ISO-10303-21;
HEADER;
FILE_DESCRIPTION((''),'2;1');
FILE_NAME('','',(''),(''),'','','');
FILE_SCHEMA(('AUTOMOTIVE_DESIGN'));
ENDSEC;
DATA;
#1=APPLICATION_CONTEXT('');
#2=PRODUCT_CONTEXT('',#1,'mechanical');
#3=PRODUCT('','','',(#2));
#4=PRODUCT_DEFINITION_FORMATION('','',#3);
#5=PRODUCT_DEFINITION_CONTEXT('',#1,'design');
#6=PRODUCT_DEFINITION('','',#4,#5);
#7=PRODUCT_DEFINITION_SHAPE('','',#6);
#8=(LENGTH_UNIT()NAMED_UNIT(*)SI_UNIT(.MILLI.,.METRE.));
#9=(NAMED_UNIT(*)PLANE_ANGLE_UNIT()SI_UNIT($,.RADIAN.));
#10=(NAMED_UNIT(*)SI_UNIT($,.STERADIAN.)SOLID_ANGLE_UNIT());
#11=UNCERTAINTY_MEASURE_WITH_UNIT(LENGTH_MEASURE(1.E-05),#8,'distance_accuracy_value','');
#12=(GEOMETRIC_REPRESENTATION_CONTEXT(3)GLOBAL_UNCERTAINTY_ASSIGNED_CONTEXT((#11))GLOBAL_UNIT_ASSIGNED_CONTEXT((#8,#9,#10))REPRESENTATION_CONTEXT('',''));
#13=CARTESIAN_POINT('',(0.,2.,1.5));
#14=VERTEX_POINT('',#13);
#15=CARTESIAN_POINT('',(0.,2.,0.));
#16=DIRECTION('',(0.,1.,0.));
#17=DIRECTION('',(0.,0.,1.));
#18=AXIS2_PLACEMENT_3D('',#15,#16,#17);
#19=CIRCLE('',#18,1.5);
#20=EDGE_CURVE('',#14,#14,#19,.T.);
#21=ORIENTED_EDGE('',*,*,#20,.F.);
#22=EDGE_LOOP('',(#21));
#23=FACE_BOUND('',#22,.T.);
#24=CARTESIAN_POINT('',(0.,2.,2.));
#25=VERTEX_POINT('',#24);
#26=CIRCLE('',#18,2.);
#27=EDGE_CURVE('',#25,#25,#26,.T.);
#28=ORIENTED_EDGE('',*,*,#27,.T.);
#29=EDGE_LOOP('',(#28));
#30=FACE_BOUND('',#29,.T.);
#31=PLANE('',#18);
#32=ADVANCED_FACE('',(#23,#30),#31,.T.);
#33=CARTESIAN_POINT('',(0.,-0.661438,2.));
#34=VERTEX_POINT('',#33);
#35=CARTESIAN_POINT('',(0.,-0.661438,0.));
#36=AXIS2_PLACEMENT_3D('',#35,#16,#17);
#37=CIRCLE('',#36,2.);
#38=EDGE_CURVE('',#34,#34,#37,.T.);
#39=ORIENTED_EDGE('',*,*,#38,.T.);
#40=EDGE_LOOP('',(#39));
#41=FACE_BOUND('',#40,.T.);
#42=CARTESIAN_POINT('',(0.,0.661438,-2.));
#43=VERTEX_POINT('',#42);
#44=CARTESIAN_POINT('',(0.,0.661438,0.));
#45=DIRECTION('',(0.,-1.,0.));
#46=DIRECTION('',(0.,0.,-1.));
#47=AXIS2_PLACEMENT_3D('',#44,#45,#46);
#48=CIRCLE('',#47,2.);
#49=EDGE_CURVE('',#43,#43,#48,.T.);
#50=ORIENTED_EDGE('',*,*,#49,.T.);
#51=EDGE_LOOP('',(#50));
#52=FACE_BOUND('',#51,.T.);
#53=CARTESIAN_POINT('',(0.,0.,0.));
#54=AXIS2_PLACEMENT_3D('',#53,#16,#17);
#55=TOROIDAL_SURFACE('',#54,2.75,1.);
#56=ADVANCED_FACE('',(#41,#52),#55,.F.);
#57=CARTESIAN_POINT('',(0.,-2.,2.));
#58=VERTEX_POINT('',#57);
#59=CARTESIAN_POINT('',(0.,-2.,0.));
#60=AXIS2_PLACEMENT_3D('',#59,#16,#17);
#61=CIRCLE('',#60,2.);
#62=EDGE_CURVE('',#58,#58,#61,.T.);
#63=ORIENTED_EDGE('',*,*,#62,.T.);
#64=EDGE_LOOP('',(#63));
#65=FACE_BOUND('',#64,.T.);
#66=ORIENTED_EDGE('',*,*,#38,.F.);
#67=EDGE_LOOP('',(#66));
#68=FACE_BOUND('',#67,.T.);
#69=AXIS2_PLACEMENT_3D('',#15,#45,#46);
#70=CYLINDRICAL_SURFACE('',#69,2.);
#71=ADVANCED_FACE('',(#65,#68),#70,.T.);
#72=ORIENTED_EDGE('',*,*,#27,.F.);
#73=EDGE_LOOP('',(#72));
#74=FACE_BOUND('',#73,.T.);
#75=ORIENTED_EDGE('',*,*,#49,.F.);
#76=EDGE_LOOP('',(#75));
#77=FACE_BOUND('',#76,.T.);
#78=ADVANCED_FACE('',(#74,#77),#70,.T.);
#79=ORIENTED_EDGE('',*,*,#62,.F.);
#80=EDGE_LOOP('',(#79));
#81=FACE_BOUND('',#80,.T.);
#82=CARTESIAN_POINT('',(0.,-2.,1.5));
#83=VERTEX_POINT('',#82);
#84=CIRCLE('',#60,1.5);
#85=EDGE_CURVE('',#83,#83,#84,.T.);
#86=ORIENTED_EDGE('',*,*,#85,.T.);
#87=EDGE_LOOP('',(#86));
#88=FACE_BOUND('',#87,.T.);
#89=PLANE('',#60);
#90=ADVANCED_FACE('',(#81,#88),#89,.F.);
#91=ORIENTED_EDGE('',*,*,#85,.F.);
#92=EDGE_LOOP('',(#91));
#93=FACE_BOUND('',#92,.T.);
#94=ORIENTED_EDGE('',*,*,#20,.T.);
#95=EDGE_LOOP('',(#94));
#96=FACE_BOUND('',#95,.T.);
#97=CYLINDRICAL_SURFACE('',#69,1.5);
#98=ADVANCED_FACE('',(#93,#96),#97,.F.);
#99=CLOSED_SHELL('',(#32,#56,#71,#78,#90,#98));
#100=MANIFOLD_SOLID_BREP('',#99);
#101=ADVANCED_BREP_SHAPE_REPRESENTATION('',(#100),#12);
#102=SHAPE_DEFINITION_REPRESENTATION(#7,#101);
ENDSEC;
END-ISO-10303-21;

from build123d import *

# Parameters (mm, degrees)
DIAPROFILES_R         = 2
DIAPROFILES_R_2       = 1.5
DIAPROFILE_DEPTH      = 2
BEARINGPATHPROFILES_R = 1


with BuildPart() as part:
    # DiaProfileS → DiaProfile (new body, symmetric)
    with BuildSketch(Plane(origin=(0, 0, 0), x_dir=(1, 0, 0), z_dir=(0, 1, 0))):
        Circle(DIAPROFILES_R)
        Circle(DIAPROFILES_R_2, mode=Mode.SUBTRACT)
    extrude(amount=DIAPROFILE_DEPTH, both=True)

    # BearingPathProfileS → BearingPathProfile (revolve, cut)
    with BuildSketch(Plane.XY):
        with Locations((2.75, 0)):
            Circle(BEARINGPATHPROFILES_R)
    revolve(axis=Axis((0, 2, 0), (0, -1, 0)), mode=Mode.SUBTRACT)


solid = part.part
